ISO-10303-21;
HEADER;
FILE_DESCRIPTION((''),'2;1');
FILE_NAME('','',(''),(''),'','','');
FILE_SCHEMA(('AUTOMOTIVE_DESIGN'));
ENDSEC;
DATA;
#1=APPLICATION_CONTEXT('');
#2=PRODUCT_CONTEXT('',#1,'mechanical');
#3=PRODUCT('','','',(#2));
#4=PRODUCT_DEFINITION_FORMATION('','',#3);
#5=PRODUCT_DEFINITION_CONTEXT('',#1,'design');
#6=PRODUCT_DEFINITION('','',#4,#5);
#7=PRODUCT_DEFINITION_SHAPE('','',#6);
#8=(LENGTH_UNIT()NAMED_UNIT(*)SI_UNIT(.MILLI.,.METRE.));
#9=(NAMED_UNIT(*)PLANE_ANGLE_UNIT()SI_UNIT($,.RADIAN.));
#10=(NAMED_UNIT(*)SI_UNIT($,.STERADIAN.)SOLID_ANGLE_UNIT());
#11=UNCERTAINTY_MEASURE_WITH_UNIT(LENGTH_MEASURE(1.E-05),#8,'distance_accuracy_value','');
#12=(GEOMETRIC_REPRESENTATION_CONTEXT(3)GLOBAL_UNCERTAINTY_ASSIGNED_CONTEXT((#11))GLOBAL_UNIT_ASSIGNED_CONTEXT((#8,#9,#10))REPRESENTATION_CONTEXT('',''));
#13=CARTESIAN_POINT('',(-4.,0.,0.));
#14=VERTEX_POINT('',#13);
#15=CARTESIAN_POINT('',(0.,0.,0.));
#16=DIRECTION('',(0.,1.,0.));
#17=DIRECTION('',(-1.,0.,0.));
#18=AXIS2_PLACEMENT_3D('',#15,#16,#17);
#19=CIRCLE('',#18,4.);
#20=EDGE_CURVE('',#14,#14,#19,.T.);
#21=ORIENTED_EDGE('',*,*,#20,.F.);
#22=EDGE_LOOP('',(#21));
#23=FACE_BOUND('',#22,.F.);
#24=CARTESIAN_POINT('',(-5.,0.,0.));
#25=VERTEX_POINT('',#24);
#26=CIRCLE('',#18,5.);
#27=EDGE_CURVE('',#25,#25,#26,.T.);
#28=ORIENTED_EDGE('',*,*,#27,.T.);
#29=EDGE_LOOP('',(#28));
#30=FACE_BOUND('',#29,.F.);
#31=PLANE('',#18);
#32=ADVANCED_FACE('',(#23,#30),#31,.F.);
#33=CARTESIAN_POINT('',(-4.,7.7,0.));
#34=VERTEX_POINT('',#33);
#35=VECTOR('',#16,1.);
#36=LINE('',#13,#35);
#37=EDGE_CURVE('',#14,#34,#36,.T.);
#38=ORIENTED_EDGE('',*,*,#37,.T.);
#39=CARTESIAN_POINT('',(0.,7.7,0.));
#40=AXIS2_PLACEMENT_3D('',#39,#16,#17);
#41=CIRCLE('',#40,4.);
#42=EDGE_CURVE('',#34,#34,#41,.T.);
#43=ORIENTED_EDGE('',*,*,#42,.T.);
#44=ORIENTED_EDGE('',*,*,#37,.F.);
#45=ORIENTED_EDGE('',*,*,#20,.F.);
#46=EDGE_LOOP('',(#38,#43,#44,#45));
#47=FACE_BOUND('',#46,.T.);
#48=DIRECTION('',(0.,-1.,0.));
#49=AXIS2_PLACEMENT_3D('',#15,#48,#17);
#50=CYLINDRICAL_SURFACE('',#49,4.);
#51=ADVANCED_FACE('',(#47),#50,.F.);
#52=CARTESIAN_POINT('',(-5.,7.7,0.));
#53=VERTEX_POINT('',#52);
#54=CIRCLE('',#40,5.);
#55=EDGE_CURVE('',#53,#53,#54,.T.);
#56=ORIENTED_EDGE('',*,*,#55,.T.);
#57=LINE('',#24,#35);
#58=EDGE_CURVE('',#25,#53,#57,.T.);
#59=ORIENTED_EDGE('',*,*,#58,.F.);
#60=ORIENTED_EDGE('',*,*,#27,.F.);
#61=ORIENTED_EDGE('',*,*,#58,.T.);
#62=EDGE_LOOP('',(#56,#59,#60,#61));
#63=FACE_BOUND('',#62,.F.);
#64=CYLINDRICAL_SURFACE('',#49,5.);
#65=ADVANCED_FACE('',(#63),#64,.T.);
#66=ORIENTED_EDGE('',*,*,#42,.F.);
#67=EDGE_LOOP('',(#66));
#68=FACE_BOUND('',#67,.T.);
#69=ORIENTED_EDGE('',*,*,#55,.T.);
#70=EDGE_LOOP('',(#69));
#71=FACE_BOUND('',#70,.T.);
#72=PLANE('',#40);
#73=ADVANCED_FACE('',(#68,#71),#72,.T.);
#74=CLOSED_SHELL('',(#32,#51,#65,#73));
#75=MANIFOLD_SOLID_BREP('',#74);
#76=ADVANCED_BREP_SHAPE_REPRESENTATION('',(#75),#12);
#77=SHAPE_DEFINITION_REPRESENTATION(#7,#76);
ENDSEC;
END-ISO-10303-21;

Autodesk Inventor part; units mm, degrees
ref_plane "YZ Plane" through (0, 0, 0) normal (1, 0, 0) x (0, 1, 0)
ref_plane "XZ Plane" through (0, 0, 0) normal (0, 1, 0) x (-1, 0, 0)
ref_plane "XY Plane" through (0, 0, 0) normal (0, 0, 1) x (1, 0, 0)
sketch "Sketch1" plane through (0, 0, 0) normal (0, 1, 0) x (-1, 0, 0)
  circle A0 centre (0, 0) radius 4
  circle A1 centre (0, 0) radius 5
  dimension "d0" = 8
  dimension "d1" = 10
extrude "Extrusion1" add sketch "Sketch1" along normal blind 7.7
properties part number "8mm Shaft Spacer 1 Shooter" material "Aluminum 6061"
